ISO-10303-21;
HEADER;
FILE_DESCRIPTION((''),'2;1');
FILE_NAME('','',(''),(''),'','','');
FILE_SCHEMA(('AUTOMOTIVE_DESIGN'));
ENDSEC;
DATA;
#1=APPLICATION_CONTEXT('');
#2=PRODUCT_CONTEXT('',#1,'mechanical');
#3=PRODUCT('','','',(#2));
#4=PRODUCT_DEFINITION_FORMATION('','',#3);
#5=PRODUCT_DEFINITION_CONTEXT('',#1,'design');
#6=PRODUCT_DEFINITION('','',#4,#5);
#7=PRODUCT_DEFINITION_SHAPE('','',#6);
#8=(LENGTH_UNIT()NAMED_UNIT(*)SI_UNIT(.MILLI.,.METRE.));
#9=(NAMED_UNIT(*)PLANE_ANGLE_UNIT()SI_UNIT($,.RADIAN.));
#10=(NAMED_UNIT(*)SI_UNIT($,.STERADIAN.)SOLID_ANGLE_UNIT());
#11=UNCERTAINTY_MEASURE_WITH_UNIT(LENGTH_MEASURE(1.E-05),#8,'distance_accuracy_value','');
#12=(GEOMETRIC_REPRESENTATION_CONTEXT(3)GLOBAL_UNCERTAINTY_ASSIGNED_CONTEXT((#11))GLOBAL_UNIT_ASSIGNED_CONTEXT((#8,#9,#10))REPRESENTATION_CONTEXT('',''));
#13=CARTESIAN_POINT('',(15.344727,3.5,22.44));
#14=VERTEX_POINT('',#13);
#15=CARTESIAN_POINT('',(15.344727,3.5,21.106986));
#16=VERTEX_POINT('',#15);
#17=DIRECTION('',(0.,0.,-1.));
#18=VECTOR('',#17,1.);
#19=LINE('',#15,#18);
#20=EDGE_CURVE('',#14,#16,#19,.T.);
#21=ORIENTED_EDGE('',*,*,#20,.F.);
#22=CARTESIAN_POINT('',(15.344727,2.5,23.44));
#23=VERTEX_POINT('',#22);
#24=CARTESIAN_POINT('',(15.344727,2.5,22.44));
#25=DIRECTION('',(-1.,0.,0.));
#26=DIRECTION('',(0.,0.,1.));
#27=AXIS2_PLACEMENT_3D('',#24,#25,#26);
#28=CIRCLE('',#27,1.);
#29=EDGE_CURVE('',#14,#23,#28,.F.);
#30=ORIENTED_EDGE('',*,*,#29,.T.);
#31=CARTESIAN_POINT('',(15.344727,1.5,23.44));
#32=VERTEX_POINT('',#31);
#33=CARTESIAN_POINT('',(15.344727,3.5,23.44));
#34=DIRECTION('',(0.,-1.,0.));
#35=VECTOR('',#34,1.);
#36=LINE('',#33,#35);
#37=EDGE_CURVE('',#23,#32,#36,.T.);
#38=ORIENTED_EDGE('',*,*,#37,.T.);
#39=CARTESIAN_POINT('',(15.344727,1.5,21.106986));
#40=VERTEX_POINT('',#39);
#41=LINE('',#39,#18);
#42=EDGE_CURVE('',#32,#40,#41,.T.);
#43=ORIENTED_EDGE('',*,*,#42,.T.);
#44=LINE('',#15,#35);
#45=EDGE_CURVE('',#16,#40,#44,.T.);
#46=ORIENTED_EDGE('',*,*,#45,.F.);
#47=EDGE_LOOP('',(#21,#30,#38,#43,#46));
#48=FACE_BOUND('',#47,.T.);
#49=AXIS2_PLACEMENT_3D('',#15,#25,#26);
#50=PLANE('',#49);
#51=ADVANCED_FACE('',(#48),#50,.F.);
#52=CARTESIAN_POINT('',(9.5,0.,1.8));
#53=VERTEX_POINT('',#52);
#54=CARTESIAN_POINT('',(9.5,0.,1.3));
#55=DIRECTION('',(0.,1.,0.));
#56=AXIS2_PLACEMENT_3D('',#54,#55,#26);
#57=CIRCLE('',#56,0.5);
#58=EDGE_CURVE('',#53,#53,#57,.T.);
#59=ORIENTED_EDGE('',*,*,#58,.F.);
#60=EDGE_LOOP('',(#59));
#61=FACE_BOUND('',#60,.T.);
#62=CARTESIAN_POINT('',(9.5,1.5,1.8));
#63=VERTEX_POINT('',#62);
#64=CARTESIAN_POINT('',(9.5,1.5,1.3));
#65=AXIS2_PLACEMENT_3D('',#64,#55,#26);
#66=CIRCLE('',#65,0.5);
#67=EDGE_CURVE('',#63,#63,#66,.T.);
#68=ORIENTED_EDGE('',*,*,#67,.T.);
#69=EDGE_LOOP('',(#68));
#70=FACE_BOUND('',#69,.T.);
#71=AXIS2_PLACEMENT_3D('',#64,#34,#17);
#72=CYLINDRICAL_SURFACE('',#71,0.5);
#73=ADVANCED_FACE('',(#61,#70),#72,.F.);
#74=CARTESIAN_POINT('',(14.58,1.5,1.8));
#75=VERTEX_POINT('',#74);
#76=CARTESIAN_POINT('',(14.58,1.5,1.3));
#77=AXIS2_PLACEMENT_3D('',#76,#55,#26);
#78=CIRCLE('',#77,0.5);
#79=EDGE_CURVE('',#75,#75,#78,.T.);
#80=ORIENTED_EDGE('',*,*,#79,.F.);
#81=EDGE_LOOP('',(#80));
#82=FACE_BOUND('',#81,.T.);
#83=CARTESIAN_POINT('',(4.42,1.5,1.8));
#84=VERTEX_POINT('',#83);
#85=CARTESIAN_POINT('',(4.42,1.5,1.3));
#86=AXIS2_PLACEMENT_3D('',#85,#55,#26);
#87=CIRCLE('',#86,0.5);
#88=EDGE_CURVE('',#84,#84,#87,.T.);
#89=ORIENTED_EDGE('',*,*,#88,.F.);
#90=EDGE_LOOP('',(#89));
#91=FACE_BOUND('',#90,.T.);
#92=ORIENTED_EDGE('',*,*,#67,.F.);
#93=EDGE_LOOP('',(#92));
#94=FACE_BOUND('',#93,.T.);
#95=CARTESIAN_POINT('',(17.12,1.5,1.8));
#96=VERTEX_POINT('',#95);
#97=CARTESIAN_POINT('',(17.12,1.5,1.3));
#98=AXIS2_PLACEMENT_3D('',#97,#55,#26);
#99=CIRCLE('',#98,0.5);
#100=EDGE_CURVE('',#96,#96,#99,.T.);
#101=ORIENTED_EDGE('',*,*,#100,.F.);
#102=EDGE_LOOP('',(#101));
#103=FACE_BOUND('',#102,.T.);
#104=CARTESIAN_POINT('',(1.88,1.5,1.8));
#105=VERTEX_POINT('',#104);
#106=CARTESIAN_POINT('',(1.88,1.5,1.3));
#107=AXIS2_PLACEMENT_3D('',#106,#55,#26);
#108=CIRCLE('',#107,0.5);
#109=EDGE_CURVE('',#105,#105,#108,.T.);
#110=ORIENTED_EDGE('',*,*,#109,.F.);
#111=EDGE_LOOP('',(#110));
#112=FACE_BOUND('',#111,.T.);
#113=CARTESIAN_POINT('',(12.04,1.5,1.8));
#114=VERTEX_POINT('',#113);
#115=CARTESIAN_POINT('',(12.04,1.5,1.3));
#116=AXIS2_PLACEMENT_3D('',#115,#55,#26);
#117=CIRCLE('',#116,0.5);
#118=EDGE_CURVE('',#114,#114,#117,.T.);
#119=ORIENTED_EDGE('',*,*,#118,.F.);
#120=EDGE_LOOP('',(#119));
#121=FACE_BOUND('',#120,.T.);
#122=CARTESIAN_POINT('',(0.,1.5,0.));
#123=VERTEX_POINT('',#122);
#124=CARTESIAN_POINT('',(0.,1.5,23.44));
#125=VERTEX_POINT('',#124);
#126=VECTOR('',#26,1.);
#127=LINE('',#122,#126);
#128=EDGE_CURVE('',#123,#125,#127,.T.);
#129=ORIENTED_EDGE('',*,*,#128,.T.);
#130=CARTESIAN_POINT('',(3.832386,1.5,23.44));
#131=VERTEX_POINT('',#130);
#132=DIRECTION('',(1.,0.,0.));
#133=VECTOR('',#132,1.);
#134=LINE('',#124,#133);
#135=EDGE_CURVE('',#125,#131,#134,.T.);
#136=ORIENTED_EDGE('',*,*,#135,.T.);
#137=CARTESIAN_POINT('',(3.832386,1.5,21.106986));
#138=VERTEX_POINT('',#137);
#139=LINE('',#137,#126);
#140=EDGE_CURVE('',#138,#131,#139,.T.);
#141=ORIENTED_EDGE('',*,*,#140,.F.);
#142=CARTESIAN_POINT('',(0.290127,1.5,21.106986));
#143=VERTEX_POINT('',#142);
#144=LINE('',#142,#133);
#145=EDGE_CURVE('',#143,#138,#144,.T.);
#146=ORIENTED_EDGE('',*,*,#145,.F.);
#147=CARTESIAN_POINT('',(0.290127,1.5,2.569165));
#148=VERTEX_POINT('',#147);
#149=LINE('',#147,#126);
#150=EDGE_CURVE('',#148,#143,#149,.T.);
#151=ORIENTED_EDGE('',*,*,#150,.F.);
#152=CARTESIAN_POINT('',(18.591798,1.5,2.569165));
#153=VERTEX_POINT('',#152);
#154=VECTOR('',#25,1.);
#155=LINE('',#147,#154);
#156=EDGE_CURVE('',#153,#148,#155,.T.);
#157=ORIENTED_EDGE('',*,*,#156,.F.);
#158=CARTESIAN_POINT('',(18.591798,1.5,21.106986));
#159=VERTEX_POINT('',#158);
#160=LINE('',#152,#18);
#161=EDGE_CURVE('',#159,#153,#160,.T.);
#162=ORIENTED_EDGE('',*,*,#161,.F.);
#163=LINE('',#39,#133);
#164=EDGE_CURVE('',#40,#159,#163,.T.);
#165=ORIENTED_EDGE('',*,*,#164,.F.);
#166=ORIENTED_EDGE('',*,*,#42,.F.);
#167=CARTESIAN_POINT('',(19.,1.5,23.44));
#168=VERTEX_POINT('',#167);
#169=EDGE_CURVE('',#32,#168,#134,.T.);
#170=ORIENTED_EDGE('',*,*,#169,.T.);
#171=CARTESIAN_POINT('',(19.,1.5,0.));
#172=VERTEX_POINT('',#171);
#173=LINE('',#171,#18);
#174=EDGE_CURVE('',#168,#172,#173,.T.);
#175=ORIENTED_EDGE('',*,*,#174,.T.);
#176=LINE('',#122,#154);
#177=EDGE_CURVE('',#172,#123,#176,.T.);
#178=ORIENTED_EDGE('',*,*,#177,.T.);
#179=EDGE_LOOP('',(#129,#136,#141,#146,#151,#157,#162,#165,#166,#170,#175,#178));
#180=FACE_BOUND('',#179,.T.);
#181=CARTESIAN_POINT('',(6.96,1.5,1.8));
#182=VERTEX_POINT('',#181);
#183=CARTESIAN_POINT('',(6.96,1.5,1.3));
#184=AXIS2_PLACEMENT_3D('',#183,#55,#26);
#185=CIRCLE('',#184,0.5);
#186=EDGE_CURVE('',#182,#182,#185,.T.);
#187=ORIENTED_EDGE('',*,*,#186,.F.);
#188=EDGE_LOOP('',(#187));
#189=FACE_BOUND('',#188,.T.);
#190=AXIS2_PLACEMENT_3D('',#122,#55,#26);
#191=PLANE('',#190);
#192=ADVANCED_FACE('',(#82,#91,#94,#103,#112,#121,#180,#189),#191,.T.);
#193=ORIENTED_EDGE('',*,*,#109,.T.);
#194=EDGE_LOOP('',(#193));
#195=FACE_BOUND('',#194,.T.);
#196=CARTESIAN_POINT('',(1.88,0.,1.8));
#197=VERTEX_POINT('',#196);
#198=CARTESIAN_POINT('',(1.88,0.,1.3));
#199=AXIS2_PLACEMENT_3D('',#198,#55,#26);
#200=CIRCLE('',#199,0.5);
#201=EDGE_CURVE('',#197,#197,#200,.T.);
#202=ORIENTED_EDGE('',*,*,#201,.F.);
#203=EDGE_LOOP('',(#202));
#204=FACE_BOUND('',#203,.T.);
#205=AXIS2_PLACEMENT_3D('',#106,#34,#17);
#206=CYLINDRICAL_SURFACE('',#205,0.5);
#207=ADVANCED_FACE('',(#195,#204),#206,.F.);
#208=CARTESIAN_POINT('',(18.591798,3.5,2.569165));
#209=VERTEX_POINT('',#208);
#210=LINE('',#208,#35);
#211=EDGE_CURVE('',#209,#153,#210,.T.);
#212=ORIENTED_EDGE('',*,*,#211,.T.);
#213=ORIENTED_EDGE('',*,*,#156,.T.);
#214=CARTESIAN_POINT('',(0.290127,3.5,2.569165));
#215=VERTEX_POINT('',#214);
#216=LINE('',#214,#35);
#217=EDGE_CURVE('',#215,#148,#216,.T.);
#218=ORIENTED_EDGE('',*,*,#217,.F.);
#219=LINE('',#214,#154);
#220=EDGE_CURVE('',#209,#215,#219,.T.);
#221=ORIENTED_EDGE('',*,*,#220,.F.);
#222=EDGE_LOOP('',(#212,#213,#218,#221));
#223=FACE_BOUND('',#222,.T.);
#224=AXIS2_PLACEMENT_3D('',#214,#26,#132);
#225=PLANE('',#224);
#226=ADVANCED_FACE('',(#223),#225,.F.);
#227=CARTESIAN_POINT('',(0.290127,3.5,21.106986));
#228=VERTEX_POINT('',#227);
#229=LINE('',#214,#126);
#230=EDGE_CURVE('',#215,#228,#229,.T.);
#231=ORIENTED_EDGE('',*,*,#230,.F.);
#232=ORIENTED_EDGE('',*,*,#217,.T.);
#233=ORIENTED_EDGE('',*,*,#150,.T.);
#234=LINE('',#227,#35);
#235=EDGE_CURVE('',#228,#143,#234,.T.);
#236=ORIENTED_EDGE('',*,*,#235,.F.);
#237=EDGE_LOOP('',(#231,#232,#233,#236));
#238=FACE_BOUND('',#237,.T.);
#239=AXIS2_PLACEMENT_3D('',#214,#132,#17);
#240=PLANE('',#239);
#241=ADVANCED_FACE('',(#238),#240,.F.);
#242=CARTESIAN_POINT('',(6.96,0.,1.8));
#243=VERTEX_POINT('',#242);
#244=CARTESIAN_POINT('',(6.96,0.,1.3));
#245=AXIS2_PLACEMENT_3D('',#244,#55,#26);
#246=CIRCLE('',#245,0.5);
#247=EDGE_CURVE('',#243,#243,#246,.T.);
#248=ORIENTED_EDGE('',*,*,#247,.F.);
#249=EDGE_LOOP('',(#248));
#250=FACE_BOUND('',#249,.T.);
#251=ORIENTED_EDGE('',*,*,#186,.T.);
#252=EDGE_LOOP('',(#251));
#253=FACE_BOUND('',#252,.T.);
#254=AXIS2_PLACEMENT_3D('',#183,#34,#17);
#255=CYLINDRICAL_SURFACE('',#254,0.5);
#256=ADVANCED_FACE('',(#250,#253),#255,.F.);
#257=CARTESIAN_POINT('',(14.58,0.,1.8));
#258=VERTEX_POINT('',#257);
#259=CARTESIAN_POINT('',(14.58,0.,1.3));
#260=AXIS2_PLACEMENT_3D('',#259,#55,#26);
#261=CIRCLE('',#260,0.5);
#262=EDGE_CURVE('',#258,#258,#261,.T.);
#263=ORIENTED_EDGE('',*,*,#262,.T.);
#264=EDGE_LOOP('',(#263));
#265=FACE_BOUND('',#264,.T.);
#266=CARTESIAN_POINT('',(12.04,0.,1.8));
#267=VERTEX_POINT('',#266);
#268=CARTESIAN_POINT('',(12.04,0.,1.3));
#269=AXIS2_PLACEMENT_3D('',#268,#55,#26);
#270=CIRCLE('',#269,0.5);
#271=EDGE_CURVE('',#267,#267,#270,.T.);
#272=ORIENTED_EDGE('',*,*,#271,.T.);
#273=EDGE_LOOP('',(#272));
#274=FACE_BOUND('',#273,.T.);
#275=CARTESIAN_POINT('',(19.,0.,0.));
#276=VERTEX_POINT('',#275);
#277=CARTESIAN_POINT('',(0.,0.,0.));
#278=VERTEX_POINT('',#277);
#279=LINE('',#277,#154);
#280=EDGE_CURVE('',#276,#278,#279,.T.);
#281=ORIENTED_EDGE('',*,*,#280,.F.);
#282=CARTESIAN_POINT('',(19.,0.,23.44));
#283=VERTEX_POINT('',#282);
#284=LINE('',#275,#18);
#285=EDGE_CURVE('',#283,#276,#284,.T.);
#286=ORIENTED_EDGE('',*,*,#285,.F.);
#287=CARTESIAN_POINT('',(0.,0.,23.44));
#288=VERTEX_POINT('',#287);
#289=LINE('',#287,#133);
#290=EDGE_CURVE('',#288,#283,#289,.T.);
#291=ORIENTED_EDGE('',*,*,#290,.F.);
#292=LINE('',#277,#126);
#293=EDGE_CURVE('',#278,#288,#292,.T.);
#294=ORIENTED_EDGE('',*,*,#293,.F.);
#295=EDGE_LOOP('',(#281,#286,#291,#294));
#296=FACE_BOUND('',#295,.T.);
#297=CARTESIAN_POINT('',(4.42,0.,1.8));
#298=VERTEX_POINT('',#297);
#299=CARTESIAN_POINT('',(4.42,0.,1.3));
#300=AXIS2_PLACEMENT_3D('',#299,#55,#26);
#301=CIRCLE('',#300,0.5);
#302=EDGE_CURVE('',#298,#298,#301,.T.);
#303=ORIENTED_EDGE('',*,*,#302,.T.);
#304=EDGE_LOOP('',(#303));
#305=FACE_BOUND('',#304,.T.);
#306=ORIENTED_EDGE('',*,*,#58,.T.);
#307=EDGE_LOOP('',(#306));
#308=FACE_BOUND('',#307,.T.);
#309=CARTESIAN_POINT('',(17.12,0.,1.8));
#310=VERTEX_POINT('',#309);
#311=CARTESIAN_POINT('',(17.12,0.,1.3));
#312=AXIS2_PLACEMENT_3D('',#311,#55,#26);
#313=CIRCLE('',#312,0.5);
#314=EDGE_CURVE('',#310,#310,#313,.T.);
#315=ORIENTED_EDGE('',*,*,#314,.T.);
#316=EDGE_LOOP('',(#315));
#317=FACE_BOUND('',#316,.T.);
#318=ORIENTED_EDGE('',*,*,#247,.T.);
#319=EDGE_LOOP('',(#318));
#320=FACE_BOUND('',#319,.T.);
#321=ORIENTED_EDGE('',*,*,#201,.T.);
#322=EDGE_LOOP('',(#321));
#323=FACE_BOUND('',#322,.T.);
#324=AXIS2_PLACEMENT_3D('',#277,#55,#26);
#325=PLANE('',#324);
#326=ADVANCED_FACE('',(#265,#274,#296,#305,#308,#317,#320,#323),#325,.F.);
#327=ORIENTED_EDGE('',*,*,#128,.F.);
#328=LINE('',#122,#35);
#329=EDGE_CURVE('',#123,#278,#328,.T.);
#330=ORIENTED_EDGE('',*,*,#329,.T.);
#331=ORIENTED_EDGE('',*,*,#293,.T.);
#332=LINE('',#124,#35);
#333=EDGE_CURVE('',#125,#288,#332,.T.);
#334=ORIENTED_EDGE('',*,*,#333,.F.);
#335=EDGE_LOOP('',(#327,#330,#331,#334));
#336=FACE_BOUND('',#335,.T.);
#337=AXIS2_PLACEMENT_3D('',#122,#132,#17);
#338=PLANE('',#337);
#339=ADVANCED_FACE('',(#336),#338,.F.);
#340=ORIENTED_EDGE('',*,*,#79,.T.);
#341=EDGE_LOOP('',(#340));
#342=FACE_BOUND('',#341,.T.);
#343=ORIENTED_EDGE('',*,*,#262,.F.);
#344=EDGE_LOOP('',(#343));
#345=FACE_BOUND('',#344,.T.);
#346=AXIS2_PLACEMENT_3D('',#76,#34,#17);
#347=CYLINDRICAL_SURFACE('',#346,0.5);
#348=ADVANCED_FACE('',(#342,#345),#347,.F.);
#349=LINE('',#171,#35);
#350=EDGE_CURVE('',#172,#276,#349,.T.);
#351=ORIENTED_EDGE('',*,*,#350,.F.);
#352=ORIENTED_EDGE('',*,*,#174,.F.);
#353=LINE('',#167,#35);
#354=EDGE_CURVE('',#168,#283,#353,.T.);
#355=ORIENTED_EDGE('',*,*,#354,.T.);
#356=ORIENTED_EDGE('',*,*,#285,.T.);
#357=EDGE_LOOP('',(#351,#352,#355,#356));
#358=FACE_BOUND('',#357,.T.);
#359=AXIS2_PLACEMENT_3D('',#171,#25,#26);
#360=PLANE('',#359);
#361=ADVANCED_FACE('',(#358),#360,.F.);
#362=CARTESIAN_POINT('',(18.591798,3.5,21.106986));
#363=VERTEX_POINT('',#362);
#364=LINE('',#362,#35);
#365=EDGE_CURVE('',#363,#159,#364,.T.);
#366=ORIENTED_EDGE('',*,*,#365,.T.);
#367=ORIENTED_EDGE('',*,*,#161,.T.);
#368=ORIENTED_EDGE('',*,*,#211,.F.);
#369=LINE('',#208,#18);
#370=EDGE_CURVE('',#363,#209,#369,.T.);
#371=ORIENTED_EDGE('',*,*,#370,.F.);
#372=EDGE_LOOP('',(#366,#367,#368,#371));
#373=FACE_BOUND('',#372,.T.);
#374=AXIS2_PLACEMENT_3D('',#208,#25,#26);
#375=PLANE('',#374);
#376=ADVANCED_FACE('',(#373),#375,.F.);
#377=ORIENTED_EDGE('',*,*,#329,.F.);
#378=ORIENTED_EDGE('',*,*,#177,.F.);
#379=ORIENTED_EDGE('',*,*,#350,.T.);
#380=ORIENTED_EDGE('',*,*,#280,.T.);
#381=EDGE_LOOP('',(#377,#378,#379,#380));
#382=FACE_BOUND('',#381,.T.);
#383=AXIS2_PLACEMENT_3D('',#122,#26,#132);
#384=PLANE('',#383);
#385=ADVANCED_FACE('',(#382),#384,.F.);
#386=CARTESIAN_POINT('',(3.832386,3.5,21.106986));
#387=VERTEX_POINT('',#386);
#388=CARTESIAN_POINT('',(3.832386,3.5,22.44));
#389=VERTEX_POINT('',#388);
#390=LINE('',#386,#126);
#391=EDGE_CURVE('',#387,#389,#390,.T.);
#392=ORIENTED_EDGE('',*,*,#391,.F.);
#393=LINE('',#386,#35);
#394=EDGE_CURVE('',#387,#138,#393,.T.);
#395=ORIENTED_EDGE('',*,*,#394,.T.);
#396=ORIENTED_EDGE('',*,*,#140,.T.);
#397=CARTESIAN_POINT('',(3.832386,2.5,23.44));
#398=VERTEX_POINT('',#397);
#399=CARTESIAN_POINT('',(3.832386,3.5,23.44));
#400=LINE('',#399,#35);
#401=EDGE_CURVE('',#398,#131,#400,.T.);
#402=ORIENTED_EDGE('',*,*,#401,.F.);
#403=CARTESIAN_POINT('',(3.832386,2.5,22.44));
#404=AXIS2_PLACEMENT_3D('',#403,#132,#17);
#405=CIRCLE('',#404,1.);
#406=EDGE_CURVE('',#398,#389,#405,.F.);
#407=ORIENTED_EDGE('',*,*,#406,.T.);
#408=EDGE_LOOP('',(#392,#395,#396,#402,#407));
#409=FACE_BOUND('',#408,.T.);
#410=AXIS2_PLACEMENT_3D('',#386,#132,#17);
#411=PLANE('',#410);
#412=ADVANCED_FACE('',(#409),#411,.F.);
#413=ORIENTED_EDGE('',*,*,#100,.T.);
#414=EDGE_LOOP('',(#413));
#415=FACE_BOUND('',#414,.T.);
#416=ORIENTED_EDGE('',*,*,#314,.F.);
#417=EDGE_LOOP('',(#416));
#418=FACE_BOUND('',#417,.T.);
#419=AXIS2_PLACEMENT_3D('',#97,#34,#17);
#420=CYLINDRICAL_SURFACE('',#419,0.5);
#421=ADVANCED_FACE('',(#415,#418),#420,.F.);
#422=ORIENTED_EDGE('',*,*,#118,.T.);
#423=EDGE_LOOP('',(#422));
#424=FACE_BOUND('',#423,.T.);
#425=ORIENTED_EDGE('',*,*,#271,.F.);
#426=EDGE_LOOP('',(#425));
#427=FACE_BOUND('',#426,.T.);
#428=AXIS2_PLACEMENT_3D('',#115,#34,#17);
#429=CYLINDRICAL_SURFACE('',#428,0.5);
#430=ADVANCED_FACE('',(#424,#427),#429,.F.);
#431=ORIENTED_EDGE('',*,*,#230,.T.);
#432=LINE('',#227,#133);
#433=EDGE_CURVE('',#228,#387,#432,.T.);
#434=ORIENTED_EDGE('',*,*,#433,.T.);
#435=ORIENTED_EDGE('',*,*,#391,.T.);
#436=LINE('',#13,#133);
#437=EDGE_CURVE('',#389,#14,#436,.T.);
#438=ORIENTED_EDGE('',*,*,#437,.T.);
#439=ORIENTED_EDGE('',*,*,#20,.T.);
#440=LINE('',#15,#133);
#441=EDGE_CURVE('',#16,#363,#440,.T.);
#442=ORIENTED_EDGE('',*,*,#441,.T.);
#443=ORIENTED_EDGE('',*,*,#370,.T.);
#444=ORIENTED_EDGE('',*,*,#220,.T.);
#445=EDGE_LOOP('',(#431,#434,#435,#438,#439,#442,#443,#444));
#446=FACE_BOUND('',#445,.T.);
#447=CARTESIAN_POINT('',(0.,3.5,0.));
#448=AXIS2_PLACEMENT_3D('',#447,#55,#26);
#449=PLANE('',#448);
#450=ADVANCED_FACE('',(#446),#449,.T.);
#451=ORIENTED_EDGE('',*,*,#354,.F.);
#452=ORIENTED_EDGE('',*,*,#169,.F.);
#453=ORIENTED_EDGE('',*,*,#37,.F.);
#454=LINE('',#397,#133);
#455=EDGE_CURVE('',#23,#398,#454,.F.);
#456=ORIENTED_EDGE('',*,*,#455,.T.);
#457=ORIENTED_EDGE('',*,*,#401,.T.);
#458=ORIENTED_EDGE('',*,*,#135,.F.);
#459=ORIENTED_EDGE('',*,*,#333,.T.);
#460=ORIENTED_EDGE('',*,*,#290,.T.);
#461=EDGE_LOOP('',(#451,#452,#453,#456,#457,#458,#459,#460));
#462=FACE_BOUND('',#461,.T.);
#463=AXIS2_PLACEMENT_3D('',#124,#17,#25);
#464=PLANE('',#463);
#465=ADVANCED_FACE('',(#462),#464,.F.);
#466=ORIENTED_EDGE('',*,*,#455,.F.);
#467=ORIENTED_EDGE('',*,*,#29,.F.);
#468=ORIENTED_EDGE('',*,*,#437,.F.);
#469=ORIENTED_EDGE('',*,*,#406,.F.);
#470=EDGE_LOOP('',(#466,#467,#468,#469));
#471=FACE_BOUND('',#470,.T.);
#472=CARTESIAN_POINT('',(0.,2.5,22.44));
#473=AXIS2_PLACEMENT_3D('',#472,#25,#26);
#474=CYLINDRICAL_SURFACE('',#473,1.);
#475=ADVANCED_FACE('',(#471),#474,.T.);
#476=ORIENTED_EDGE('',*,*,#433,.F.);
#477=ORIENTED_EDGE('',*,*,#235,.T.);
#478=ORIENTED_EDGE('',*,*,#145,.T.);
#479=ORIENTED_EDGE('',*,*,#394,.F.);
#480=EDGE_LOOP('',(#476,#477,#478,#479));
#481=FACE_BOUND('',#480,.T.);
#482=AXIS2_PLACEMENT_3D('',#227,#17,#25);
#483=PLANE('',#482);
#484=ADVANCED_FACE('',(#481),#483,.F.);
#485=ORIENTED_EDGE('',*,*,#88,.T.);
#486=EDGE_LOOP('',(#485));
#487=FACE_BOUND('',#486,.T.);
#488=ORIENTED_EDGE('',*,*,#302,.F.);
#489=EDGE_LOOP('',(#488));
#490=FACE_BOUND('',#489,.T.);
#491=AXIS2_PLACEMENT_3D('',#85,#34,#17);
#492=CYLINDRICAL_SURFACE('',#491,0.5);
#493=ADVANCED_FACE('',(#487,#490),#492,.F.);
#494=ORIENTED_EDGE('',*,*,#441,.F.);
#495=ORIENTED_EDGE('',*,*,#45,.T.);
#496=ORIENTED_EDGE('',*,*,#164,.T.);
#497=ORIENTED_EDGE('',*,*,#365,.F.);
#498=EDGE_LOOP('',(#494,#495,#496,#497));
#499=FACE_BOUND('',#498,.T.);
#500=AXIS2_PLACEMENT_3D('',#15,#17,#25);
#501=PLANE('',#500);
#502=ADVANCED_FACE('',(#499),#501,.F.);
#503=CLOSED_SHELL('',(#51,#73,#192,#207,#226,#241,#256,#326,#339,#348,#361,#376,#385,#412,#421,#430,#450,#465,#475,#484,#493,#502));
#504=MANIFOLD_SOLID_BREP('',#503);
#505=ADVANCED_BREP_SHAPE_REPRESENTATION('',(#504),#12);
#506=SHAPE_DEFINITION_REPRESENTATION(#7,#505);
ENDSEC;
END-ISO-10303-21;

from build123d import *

# Parameters (mm, degrees)
SKETCH1_W           = 19
SKETCH1_H           = 23.44
SKETCH1_R           = 0.5
BOSS_EXTRUDE1_DEPTH = 1.5
BOSS_EXTRUDE2_DEPTH = 2
FILLET1_R           = 1


with BuildPart() as part:
    # Sketch1 → Boss-Extrude1 (new body)
    with BuildSketch(Plane(origin=(0, 0, 0), x_dir=(1, 0, 0), z_dir=(0, 1, 0))):
        with Locations((9.5, -11.72)):
            Rectangle(SKETCH1_W, SKETCH1_H)
        with Locations(Location((1.88, -1.3, 0), (0, 0, 270))):
            Circle(SKETCH1_R, mode=Mode.SUBTRACT)
        with Locations(Location((4.42, -1.3, 0), (0, 0, 270))):
            Circle(SKETCH1_R, mode=Mode.SUBTRACT)
        with Locations(Location((6.96, -1.3, 0), (0, 0, 270))):
            Circle(SKETCH1_R, mode=Mode.SUBTRACT)
        with Locations(Location((9.5, -1.3, 0), (0, 0, 270))):
            Circle(SKETCH1_R, mode=Mode.SUBTRACT)
        with Locations(Location((12.04, -1.3, 0), (0, 0, 270))):
            Circle(SKETCH1_R, mode=Mode.SUBTRACT)
        with Locations(Location((14.58, -1.3, 0), (0, 0, 270))):
            Circle(SKETCH1_R, mode=Mode.SUBTRACT)
        with Locations(Location((17.12, -1.3, 0), (0, 0, 270))):
            Circle(SKETCH1_R, mode=Mode.SUBTRACT)
    extrude(amount=BOSS_EXTRUDE1_DEPTH)

    # Sketch3 → Boss-Extrude2 (add)
    with BuildSketch(Plane(origin=(0, 1.5, 0), x_dir=(1, 0, 0), z_dir=(0, 1, 0))):
        Polygon((3.832385917, -21.106985825), (3.832385917, -23.44), (15.344727023, -23.44), (15.344727023, -21.106985825), (18.591797592, -21.106985825), (18.591797592, -2.569164761), (0.290127115, -2.569164761), (0.290127115, -21.106985825), align=None)
    extrude(amount=BOSS_EXTRUDE2_DEPTH)

    # Fillet1
    fillet1_edges = [part.edges().sort_by_distance(p)[0] for p in [
        (9.58855647, 3.5, 23.44),
    ]]
    fillet(fillet1_edges, radius=FILLET1_R)


solid = part.part
